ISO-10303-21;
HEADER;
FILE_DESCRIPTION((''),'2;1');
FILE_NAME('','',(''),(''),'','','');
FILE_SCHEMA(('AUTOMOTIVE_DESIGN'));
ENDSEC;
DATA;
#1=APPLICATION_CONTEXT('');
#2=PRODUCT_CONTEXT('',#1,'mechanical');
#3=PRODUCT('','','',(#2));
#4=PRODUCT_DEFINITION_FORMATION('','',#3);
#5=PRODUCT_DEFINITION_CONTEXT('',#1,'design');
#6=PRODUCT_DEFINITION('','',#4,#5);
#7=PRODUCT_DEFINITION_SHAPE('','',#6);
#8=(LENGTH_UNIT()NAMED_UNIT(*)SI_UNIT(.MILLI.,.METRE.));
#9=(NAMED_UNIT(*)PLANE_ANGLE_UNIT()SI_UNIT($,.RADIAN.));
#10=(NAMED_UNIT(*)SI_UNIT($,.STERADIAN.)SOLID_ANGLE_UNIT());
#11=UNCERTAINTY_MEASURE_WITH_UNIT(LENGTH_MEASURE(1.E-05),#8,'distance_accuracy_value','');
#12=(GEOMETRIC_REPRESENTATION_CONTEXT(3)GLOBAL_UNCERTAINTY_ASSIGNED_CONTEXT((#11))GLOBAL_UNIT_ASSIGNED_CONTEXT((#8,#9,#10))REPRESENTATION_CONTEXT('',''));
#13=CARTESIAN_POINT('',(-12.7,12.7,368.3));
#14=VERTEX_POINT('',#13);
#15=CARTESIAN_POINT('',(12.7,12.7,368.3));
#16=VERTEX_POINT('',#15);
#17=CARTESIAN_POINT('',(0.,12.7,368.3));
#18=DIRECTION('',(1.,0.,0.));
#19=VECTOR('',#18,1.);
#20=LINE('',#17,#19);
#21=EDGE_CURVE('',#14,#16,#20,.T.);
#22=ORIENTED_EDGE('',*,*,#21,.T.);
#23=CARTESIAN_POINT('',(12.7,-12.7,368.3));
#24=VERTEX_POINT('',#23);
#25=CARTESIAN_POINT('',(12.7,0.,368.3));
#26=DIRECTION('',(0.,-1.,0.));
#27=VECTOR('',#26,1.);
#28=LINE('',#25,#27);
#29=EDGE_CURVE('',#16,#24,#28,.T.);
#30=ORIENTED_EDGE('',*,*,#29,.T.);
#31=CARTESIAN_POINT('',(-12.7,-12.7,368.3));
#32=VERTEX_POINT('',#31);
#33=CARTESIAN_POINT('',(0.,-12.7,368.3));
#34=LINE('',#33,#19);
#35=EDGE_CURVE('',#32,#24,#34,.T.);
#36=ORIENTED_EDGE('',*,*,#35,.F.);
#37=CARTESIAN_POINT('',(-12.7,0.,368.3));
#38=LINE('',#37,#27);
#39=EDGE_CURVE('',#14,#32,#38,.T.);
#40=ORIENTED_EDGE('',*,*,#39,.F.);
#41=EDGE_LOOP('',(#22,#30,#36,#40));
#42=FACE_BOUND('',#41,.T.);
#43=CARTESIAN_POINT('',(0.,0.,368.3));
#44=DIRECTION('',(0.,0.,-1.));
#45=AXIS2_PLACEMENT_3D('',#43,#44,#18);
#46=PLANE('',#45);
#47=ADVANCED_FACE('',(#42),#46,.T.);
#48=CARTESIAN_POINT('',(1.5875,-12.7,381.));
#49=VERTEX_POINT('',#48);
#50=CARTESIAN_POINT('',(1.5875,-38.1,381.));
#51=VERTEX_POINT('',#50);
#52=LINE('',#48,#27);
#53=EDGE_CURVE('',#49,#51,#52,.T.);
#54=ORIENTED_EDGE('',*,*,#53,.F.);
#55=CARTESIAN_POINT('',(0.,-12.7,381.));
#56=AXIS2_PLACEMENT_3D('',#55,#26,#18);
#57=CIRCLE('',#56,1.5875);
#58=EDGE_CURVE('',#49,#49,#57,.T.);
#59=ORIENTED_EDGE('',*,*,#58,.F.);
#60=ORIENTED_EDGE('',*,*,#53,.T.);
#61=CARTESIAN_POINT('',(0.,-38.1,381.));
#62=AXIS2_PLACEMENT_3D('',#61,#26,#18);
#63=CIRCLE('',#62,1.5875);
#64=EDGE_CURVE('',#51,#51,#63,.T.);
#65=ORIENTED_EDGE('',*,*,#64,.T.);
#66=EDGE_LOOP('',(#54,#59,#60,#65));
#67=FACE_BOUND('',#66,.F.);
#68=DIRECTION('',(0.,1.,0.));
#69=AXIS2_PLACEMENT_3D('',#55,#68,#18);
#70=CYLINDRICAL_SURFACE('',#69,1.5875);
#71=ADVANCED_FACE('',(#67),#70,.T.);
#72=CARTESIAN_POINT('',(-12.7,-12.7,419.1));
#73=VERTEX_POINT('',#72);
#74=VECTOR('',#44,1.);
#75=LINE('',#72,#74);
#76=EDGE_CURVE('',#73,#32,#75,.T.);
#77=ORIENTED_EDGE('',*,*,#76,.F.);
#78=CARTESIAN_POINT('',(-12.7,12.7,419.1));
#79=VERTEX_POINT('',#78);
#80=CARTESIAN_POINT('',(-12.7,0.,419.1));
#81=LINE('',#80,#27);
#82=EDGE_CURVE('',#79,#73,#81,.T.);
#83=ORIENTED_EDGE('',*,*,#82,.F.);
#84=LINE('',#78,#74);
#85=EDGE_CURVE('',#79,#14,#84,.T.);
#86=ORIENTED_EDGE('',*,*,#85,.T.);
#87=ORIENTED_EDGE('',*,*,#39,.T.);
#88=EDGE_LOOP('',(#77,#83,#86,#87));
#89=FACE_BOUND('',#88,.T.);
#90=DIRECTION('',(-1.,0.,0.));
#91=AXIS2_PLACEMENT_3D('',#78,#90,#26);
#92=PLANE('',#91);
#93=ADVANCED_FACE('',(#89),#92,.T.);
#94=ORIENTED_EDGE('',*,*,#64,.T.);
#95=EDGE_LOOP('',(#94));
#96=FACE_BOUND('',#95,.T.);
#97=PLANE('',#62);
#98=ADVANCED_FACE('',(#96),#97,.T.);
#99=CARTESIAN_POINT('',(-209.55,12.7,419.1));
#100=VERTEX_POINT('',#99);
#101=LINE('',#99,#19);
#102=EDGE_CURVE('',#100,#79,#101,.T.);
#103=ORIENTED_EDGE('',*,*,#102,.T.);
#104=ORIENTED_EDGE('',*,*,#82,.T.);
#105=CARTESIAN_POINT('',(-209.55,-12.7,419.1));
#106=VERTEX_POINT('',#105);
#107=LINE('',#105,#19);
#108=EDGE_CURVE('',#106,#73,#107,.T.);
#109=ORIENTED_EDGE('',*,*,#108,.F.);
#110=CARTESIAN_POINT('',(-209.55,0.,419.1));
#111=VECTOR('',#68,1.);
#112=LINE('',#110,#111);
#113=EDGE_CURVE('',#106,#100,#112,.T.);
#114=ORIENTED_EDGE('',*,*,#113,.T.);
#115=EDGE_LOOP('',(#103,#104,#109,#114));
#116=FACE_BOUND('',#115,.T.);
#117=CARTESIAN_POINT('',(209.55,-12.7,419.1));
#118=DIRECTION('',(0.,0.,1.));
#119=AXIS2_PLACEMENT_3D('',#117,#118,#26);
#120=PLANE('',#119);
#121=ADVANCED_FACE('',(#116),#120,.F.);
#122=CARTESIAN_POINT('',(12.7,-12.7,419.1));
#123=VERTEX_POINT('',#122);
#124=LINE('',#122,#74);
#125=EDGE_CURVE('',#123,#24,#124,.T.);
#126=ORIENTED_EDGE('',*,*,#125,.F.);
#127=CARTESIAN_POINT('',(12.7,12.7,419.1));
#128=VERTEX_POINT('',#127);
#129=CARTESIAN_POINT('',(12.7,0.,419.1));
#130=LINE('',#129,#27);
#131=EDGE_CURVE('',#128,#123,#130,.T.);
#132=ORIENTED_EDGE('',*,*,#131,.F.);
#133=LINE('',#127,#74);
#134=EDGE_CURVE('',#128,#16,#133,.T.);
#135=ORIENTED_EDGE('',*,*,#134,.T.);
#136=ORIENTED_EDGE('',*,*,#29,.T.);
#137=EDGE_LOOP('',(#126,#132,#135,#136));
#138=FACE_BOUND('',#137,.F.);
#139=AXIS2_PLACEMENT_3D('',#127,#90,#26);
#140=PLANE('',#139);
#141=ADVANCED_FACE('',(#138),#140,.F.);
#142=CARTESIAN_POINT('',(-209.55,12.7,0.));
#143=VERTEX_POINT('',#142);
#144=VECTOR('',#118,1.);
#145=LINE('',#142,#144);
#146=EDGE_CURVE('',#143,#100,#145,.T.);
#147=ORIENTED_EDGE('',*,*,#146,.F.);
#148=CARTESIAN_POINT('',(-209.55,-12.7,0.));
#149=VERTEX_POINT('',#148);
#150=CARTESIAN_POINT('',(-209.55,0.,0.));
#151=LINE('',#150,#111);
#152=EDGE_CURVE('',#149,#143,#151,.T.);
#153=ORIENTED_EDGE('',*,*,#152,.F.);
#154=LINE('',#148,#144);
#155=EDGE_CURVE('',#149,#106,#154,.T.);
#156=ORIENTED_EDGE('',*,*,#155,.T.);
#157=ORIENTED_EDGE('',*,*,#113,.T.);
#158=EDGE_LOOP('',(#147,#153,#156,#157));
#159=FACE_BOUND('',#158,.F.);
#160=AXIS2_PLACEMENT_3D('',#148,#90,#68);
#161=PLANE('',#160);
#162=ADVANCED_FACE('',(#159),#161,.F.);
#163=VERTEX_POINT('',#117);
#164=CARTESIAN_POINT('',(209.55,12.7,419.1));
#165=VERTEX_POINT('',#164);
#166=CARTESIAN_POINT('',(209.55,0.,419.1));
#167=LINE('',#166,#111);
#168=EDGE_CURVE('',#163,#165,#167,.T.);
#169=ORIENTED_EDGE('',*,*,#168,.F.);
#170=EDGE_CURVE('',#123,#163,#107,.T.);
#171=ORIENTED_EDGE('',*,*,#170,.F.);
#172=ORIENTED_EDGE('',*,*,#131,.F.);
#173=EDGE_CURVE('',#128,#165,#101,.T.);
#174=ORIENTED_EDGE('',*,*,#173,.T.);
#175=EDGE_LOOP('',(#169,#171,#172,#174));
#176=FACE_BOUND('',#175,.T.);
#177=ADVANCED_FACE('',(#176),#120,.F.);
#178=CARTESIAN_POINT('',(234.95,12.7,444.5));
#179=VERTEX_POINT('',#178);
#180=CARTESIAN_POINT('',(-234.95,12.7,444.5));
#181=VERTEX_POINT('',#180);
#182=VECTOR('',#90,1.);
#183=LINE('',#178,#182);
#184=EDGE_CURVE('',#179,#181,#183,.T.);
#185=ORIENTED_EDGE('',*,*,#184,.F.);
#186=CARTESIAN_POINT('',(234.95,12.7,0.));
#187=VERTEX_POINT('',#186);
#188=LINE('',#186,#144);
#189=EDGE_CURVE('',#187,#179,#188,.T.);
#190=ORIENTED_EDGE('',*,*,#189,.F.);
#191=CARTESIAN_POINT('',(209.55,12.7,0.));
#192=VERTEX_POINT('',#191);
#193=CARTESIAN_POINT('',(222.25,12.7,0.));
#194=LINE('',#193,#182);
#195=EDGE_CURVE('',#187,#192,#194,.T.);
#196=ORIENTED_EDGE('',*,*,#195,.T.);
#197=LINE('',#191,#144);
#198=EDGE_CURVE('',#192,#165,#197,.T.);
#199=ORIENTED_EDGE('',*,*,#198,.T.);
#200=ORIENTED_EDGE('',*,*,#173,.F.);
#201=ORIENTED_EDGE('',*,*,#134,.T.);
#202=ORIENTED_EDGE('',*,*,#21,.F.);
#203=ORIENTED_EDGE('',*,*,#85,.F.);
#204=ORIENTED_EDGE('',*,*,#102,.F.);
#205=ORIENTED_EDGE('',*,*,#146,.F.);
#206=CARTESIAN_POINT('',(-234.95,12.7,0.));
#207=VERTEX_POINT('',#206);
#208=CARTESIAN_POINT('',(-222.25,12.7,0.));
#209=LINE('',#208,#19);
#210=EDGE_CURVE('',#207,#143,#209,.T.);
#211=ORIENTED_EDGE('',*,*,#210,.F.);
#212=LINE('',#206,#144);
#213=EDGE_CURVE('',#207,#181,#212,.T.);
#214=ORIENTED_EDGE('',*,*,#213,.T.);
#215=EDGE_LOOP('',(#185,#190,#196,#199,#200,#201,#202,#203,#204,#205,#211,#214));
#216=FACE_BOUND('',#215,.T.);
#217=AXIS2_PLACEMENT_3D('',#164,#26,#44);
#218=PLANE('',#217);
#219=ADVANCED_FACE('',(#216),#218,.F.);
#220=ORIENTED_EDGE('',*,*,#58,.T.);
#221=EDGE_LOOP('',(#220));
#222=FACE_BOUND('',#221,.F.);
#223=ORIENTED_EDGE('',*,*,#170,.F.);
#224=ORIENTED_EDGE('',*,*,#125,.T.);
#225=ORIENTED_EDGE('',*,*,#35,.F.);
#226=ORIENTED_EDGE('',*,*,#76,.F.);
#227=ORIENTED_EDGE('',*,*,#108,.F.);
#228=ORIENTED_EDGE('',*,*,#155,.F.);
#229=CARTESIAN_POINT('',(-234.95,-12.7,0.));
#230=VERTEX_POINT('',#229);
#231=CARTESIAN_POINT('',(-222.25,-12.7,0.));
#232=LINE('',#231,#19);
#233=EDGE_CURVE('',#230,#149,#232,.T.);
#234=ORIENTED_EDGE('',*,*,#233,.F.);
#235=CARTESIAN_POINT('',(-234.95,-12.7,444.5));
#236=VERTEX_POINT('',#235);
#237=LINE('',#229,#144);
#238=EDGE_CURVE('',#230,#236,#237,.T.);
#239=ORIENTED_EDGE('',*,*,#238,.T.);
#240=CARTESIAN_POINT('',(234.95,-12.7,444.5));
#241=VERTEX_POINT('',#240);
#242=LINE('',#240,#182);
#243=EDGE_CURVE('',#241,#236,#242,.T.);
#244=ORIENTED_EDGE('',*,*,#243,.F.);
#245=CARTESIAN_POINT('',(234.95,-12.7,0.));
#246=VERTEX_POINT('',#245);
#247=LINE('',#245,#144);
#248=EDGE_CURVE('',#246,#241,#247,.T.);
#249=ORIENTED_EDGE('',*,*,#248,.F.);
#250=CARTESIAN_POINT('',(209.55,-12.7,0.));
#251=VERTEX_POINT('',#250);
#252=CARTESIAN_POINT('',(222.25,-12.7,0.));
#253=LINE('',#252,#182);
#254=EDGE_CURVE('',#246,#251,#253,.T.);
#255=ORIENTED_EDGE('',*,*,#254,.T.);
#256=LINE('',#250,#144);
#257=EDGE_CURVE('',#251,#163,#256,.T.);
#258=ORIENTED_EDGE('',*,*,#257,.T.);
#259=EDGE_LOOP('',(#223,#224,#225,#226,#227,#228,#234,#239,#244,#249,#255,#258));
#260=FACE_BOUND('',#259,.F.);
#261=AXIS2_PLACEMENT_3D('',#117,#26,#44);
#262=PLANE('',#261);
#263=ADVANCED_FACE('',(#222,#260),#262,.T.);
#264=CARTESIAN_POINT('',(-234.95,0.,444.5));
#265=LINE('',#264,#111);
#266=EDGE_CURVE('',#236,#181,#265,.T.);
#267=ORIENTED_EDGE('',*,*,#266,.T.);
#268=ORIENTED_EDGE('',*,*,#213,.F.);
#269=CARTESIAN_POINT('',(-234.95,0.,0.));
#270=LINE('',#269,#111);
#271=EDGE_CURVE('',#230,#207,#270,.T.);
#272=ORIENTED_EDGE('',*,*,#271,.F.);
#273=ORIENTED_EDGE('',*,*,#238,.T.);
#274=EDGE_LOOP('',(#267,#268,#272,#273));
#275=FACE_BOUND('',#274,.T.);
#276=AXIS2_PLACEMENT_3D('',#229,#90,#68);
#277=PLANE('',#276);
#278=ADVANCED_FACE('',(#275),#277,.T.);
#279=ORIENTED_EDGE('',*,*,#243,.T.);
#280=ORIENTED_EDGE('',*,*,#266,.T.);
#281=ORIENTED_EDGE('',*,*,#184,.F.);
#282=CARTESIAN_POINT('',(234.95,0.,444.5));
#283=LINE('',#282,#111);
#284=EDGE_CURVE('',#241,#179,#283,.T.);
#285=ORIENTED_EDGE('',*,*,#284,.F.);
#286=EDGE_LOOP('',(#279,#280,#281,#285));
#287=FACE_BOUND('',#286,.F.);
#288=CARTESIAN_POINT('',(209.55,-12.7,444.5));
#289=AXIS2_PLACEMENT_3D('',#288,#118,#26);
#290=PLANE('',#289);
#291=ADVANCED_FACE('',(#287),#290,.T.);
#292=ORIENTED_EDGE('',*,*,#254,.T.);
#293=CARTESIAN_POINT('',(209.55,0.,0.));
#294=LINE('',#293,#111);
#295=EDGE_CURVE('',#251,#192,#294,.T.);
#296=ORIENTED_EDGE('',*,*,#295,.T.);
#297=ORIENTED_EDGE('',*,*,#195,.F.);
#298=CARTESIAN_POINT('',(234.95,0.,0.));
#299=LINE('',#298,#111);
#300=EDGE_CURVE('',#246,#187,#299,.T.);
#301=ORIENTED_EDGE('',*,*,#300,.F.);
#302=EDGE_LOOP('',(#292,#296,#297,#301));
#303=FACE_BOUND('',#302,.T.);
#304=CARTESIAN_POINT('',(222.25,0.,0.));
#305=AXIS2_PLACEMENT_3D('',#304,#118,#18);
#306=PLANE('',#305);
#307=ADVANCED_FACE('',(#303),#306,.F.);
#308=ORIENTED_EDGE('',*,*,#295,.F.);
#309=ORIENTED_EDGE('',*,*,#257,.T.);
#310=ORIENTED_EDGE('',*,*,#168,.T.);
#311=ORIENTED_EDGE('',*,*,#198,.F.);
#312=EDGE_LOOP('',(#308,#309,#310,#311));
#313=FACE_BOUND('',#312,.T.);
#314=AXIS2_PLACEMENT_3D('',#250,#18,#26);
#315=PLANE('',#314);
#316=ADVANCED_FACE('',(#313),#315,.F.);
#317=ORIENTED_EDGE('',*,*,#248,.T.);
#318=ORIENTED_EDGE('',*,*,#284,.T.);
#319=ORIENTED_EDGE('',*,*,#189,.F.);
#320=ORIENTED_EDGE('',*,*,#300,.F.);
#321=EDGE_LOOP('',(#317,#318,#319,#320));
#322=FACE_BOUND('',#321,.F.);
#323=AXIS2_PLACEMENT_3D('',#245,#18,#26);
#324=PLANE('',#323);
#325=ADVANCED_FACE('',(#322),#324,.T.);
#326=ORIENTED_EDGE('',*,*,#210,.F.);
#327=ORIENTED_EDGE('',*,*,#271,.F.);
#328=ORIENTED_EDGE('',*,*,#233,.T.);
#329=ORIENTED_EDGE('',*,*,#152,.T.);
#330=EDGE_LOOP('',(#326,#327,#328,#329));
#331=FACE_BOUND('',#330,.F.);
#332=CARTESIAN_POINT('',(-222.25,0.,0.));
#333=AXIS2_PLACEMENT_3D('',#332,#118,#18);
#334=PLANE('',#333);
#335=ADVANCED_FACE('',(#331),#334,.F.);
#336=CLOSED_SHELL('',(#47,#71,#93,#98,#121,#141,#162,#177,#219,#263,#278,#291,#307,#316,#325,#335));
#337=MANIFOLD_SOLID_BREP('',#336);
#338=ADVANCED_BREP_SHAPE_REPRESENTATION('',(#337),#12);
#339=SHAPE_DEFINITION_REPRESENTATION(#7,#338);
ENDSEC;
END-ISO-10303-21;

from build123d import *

# Parameters (mm, degrees)
F0_W     = 25.4
F0_H     = 25.4
F1_DEPTH = 444.5
F2_W     = 25.4
F2_H     = 25.4
F3_DEPTH = 209.55
F5_W     = 25.4
F5_H     = 25.4
F6_DEPTH = 50.8
F7_R     = 1.5875
F8_DEPTH = 25.4


with BuildPart() as f1:
    # F0 (on Top) → F1 (new body)
    with BuildSketch(Plane.XY):
        with Locations((-222.25, 0)):
            Rectangle(F0_W, F0_H)
    extrude(amount=F1_DEPTH)

    # F2 (on face) → F3 (join)
    with BuildSketch(Plane.YZ.offset(-209.55)):
        with Locations((0, 431.8)):
            Rectangle(F2_W, F2_H)
    extrude(amount=F3_DEPTH)

    # F4: F1 across plane


with BuildPart() as f1_1:
    add(f1.part)
    add(f1.part.mirror(Plane.YZ))

    # F5 (on face) → F6 (join)
    with BuildSketch(Plane(origin=(0, 0, 419.1), x_dir=(1, 0, 0), z_dir=(0, 0, -1))):
        Rectangle(F5_W, F5_H)
    extrude(amount=F6_DEPTH)

    # F7 (on face) → F8 (join)
    with BuildSketch(Plane.XZ.offset(12.7)):
        with Locations((0, 381)):
            Circle(F7_R)
    extrude(amount=F8_DEPTH)


solid = f1_1.part
